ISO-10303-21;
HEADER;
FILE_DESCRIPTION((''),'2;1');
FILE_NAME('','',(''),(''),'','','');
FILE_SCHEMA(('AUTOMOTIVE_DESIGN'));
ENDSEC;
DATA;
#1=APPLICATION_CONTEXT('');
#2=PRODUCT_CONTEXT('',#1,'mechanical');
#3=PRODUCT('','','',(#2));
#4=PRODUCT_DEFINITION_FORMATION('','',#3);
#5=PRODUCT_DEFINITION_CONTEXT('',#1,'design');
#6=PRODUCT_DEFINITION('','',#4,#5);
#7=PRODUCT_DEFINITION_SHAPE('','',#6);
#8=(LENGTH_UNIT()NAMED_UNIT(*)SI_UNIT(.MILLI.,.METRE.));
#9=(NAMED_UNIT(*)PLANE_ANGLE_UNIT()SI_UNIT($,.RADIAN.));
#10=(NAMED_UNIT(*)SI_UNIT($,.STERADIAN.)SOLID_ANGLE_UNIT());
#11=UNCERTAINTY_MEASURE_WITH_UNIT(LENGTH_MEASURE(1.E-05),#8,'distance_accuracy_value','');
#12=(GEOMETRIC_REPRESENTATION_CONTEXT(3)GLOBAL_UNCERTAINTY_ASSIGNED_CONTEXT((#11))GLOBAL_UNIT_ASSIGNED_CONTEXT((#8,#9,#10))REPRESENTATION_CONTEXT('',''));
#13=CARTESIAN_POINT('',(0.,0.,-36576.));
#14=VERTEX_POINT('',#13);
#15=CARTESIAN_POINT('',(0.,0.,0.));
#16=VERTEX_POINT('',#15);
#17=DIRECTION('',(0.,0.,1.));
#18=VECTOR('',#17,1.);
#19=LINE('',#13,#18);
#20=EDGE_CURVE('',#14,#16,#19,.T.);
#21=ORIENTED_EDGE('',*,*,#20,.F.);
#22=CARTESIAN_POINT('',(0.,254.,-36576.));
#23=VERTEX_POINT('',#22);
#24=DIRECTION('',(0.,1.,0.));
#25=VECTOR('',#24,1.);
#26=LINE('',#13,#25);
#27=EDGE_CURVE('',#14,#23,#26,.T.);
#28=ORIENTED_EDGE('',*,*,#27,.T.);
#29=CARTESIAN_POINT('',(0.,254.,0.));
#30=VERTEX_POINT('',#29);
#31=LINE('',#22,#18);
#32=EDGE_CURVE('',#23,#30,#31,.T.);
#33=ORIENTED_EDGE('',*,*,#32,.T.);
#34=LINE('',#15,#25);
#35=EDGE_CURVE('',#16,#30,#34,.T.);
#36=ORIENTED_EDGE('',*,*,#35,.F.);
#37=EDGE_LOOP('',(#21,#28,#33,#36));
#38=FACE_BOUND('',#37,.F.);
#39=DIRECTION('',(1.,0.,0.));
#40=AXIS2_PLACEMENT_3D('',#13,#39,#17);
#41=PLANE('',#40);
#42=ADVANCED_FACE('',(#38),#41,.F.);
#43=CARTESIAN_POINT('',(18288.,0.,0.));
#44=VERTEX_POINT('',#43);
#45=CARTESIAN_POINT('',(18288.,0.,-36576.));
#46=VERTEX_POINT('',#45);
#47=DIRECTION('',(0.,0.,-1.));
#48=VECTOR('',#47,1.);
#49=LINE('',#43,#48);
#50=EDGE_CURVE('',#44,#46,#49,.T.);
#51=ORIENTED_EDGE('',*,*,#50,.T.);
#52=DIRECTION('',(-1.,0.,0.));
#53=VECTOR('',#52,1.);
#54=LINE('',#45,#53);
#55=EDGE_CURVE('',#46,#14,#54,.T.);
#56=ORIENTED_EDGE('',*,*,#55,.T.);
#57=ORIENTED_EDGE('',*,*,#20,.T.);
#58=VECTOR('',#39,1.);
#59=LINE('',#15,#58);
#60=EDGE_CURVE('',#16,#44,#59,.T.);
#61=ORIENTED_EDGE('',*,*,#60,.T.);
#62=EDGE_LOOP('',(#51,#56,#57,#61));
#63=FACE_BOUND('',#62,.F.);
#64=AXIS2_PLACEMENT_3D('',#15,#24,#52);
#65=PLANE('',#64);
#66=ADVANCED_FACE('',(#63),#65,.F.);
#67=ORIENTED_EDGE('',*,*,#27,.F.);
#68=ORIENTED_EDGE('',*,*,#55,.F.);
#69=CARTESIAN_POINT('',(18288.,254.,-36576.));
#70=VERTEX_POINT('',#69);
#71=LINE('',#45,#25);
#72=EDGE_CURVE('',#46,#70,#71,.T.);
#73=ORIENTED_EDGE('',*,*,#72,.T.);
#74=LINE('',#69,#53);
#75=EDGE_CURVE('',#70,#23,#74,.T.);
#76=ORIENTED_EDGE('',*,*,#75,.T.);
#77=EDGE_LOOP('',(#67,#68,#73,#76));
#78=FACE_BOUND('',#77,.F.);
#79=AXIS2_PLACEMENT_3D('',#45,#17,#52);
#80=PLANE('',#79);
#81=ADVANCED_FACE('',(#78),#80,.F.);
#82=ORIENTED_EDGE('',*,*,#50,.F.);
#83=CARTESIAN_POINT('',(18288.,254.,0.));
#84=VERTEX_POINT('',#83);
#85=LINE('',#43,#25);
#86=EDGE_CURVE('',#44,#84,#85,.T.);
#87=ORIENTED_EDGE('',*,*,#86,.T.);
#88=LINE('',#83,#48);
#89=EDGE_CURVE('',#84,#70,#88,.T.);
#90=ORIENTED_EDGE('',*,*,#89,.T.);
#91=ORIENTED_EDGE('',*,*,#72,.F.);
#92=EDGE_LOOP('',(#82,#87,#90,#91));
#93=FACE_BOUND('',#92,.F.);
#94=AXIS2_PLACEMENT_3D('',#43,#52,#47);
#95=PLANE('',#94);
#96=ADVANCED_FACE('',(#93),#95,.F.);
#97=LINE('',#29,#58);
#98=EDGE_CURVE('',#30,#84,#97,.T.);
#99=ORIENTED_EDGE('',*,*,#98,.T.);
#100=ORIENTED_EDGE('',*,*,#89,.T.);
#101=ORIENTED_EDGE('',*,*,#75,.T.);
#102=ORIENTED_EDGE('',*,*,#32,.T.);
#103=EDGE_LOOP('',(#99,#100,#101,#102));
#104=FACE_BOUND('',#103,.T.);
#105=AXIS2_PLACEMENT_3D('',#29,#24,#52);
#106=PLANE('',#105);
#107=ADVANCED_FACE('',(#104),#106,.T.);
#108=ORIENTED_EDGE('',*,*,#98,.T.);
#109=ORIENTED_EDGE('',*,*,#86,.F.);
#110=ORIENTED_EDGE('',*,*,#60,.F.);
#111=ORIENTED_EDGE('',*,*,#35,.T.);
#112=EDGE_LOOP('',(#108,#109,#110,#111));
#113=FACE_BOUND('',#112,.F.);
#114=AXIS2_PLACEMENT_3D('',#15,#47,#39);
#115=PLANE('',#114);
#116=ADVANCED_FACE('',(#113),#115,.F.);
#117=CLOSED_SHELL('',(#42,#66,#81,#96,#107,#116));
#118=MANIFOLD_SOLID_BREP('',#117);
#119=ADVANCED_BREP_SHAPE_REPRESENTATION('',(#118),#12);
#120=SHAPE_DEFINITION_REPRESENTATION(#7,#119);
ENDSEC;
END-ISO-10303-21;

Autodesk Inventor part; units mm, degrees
ref_plane "YZ Plane" through (0, 0, 0) normal (1, 0, 0) x (0, 1, 0)
ref_plane "XZ Plane" through (0, 0, 0) normal (0, 1, 0) x (-1, 0, 0)
ref_plane "XY Plane" through (0, 0, 0) normal (0, 0, 1) x (1, 0, 0)
sketch "Sketch1" plane through (0, 0, 0) normal (0, 1, 0) x (-1, 0, 0)
  line L0 (0, 0) -> (-18288, 0)
  line L1 (-18288, 0) -> (-18288, -36576)
  line L2 (-18288, -36576) -> (0, -36576)
  line L3 (0, -36576) -> (0, 0)
  dimension "d0" = 18288
  dimension "d1" = 36576
extrude "Extrusion1" add sketch "Sketch1" along normal blind 254
sketch "Sketch2" plane through (0, 254, 0) normal (0, 1, 0) x (1, 0, 0)
  point P0 (0, 0)
equation "\"BendRadius\" = Thickness"
equation "\"BendReliefWidth\" = Thickness"
equation "\"BendReliefDepth\" = 0.5 * Thickness"
equation "\"CornerReliefSize\" = 4 * Thickness"
equation "\"MinimumRemnant\" = 2 * Thickness"
equation "\"TransitionRadius\" = BendRadius"
equation "\"JacobiRadiusSize\" = BendRadius"
equation "\"GapSize\" = Thickness"
equation "\"Thickness\" = 0.5"
properties part number "Lathhouse roof"
